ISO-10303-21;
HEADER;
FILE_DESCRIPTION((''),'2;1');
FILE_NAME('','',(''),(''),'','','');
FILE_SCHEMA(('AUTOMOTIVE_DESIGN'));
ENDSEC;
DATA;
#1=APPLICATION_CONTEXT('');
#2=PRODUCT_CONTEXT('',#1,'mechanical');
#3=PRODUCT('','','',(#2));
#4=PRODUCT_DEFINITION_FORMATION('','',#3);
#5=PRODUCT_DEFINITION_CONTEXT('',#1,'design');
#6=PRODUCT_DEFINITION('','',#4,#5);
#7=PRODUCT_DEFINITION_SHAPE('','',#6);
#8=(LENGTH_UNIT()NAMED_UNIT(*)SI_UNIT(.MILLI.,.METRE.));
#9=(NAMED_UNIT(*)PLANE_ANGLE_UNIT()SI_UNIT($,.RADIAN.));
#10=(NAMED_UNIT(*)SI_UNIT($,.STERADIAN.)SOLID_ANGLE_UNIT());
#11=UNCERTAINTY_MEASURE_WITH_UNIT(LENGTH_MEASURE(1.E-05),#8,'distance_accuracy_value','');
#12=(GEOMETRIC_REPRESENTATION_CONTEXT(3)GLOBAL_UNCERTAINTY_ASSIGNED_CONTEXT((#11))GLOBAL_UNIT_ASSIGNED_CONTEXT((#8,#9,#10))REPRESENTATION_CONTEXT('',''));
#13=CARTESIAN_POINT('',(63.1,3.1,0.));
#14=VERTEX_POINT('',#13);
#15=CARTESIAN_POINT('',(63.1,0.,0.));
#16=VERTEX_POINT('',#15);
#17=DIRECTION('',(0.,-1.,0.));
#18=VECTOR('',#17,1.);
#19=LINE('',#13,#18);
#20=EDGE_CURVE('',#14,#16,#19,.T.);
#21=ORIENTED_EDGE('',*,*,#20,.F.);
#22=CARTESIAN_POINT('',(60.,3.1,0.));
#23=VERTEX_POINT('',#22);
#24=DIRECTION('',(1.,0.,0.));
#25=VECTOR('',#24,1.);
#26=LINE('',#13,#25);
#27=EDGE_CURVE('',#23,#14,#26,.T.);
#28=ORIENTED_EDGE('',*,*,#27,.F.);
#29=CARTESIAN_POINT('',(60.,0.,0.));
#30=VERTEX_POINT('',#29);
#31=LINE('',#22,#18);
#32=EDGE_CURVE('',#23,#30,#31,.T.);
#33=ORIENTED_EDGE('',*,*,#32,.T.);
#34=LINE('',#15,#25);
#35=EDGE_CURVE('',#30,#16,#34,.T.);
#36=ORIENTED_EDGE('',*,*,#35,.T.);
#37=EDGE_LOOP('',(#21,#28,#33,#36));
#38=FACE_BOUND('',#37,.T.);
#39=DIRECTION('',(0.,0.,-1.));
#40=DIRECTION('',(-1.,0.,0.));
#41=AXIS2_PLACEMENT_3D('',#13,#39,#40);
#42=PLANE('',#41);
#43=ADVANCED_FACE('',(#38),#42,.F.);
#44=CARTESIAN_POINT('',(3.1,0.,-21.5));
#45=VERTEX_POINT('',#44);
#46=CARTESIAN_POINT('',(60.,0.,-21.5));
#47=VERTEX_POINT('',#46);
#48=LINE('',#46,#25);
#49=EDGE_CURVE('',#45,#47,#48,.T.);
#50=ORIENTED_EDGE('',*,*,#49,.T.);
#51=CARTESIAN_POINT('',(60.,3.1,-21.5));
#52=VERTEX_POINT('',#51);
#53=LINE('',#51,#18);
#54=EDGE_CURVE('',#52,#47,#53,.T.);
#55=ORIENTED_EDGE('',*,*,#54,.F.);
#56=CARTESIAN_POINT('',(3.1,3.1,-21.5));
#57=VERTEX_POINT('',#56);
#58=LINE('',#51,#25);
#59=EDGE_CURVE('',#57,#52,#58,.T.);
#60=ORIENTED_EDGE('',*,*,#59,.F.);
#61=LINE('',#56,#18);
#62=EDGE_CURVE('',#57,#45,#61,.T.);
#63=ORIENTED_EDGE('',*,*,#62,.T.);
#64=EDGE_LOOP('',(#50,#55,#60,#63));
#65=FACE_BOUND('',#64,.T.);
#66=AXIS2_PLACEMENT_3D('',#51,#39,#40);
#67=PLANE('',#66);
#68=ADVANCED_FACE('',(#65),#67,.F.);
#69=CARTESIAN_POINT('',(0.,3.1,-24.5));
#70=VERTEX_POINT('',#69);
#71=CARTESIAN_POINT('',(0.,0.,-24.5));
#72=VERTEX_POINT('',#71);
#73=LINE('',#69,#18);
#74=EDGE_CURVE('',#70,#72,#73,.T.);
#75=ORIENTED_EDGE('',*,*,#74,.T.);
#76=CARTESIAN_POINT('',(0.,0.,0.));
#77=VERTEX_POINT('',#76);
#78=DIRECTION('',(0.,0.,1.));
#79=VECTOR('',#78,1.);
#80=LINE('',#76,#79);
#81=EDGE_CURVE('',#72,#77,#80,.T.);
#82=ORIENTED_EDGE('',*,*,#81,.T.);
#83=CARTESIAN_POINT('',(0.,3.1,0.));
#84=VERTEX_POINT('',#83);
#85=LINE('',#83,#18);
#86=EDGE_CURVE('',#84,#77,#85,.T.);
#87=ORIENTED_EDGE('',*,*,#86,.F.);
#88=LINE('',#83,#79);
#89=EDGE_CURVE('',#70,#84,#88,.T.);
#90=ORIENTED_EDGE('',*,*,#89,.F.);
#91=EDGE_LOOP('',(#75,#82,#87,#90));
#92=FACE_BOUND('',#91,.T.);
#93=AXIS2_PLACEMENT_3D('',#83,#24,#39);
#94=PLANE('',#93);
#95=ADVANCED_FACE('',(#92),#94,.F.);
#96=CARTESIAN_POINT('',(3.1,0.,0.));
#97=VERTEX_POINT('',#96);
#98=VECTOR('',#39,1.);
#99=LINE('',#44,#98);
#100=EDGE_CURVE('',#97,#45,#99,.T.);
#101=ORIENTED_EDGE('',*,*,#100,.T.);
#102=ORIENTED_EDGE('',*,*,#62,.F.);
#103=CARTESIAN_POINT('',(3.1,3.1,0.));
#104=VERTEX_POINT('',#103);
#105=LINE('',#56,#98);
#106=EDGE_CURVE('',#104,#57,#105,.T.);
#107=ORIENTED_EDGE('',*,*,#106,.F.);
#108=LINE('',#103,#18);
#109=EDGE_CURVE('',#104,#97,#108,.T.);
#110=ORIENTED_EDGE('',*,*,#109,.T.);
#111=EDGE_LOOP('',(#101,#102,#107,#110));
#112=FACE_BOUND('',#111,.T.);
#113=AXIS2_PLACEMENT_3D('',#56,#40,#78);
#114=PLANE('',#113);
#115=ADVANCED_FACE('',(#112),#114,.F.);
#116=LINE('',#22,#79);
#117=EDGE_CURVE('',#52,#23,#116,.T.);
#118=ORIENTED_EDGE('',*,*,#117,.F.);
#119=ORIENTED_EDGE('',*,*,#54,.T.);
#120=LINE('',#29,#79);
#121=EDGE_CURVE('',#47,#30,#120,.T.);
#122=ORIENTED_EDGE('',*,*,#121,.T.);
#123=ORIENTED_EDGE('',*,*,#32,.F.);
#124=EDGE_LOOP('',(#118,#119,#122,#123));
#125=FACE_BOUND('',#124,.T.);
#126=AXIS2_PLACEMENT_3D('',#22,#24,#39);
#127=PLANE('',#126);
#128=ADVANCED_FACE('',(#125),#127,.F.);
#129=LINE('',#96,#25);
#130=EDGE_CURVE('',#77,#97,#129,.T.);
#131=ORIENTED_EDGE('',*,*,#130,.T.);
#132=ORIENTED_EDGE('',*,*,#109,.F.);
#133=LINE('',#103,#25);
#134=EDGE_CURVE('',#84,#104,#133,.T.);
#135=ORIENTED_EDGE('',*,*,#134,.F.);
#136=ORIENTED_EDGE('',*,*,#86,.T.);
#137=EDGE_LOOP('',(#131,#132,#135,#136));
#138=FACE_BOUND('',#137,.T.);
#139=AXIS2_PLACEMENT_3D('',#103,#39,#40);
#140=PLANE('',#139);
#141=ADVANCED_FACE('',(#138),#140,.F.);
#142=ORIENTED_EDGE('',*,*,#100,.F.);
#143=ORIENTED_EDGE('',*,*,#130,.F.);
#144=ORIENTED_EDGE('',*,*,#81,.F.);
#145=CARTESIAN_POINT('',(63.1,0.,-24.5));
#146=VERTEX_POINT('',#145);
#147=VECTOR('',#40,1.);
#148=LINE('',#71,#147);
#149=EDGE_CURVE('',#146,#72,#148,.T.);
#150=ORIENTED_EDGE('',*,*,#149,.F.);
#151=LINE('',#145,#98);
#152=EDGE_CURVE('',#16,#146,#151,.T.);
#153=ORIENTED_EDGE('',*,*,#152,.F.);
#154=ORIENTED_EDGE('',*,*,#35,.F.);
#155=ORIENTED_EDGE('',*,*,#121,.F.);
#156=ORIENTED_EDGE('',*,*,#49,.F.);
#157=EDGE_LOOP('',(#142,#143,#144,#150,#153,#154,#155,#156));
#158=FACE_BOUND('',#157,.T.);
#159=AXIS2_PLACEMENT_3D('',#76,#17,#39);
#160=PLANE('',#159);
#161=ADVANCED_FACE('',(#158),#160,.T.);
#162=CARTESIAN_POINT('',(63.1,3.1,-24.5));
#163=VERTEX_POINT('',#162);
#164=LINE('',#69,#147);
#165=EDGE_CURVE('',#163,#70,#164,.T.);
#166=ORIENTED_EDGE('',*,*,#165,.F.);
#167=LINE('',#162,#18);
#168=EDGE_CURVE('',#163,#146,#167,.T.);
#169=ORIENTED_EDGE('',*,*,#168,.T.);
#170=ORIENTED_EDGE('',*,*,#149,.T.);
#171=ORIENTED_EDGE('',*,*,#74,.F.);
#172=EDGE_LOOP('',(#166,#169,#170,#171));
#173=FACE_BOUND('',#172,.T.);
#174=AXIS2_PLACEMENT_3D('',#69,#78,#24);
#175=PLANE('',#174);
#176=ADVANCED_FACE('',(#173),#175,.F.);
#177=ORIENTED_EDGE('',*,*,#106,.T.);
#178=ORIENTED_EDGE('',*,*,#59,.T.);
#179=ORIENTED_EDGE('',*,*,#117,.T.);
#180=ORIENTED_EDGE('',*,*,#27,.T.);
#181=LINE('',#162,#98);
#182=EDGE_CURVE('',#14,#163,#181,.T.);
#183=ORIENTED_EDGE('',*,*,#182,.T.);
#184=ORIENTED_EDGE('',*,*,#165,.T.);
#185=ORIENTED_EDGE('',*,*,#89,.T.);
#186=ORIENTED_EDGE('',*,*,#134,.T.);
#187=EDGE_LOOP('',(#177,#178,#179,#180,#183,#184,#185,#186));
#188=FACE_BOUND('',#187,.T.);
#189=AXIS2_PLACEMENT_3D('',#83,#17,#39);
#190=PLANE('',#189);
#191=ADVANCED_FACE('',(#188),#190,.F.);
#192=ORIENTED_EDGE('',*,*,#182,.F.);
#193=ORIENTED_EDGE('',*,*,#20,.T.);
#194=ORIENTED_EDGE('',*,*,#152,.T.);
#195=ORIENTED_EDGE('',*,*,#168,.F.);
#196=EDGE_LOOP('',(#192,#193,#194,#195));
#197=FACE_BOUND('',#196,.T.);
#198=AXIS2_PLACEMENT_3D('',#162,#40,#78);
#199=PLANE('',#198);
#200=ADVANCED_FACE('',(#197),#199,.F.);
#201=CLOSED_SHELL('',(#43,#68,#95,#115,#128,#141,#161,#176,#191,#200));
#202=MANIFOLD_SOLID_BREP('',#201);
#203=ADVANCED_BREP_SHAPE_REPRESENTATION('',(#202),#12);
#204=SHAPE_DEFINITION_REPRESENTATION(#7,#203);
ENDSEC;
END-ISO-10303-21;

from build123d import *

# Parameters (mm, degrees)
BOSS_EXTRUDE1_DEPTH = 3.1


with BuildPart() as part:
    # Sketch1 → Boss-Extrude1 (new body)
    with BuildSketch(Plane(origin=(0, 0, 0), x_dir=(1, 0, 0), z_dir=(0, 1, 0))):
        Polygon((0, 0), (0, 24.5), (63.1, 24.5), (63.1, 0), (60, 0), (60, 21.5), (3.1, 21.5), (3.1, 0), align=None)
    extrude(amount=BOSS_EXTRUDE1_DEPTH)


solid = part.part
